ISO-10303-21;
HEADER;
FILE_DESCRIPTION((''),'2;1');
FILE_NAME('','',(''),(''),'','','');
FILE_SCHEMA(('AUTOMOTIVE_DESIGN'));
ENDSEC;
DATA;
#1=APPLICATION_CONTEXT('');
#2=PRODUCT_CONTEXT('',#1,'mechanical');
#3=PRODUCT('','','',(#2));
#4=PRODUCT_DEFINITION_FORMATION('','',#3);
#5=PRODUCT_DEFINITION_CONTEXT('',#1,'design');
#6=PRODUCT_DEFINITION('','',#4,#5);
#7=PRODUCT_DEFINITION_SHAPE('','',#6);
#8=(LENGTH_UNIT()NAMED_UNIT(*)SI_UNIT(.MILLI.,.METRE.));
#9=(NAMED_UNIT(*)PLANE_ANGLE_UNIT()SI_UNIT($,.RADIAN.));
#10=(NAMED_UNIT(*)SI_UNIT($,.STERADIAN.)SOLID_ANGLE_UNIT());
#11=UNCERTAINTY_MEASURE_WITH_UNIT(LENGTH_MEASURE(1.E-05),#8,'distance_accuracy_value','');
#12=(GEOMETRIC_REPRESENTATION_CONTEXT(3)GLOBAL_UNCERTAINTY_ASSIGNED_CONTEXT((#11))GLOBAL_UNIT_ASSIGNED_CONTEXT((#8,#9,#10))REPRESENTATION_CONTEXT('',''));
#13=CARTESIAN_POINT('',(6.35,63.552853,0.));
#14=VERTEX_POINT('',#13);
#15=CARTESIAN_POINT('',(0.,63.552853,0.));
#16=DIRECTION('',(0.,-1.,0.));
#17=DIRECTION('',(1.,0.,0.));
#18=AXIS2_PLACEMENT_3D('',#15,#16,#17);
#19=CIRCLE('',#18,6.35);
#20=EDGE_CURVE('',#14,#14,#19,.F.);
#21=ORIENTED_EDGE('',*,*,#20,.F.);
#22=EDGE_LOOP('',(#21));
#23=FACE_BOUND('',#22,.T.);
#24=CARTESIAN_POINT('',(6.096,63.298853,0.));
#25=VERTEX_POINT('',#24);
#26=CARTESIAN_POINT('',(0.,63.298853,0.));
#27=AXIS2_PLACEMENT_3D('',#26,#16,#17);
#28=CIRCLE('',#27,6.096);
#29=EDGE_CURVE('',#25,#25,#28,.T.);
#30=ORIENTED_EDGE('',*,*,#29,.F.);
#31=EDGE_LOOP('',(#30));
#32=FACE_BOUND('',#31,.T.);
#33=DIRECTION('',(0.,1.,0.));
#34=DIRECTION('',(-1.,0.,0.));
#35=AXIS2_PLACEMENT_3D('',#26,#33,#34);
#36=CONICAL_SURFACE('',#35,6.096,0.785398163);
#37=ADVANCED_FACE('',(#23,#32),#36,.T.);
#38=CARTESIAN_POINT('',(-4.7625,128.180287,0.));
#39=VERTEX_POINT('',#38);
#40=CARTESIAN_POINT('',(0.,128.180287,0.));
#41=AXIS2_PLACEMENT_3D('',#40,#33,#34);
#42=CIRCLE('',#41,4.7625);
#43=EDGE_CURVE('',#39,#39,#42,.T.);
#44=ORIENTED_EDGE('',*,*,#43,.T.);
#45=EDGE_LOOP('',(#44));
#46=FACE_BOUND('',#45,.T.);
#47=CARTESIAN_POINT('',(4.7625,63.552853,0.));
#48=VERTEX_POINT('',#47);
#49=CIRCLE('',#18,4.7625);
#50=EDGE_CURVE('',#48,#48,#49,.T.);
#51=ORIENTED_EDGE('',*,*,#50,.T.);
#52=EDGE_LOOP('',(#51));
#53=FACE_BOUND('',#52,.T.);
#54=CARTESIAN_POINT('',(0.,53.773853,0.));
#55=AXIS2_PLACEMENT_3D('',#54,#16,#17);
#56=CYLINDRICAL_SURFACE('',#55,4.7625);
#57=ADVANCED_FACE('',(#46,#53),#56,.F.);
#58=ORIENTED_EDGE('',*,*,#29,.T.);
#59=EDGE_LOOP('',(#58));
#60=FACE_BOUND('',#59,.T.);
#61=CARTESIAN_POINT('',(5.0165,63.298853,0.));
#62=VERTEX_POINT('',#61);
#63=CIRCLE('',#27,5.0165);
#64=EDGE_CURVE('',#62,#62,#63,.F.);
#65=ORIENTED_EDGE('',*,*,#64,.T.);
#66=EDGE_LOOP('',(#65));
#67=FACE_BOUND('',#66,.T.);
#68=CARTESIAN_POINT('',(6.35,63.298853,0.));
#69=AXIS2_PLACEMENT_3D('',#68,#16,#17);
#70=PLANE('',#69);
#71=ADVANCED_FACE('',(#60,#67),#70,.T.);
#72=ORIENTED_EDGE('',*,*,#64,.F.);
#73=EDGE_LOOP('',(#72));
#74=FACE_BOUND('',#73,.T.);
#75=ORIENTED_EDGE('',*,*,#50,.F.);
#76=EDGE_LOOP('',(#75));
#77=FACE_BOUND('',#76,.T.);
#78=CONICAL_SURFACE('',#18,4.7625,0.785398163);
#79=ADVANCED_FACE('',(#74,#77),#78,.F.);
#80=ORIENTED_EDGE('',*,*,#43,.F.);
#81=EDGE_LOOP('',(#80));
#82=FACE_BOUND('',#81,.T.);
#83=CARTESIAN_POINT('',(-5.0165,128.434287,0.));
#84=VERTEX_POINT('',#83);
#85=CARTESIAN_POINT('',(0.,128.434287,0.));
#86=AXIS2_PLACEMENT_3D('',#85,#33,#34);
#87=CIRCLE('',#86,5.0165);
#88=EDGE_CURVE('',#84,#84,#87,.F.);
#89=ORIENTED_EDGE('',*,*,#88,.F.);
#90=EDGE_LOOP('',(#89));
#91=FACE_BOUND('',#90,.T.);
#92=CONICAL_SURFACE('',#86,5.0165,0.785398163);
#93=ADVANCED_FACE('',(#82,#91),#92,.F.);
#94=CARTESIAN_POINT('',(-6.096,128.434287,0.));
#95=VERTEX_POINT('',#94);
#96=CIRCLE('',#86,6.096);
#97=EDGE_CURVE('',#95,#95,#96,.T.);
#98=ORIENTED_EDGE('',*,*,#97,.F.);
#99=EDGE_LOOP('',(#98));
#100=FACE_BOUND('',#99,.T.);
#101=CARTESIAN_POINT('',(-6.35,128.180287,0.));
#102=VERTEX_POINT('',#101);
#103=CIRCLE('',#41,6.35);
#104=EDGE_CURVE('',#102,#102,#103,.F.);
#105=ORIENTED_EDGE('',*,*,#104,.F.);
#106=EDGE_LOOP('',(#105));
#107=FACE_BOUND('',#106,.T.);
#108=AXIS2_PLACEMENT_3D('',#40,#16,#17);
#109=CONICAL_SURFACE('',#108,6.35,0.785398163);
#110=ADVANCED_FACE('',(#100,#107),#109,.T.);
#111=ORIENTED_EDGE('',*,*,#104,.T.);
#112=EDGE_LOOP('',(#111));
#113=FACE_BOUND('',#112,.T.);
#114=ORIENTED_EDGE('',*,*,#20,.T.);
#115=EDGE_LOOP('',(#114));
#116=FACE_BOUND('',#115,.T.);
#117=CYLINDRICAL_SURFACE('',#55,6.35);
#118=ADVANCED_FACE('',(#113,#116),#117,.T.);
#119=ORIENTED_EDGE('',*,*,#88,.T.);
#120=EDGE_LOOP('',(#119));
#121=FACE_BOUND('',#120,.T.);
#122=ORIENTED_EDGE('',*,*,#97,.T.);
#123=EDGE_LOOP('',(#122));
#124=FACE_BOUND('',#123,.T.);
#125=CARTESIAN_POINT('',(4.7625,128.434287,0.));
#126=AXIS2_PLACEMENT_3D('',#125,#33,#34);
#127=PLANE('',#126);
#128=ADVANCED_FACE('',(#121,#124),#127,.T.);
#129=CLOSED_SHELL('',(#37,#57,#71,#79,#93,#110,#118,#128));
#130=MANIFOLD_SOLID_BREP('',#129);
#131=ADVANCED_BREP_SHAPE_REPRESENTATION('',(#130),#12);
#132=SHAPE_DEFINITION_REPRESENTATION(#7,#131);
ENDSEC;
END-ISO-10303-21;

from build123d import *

# Parameters (mm, degrees)
SKETCH1_W     = 1.5875
SKETCH1_H     = 65.135434212
CHAMFER1_SIZE = 0.254


with BuildPart() as part:
    # Sketch1 → Revolve1 (revolve)
    with BuildSketch(Plane.XY):
        with Locations((5.55625, 95.866570161)):
            Rectangle(SKETCH1_W, SKETCH1_H)
    revolve(axis=Axis((0, 53.773853055, 0), (0, 1, 0)))

    # Chamfer1
    chamfer1_edges = [part.edges().sort_by_distance(p)[0] for p in [
        (-6.35, 63.298853055, 0),
        (-6.35, 128.434287267, 0),
        (-4.7625, 128.434287267, 0),
        (-4.7625, 63.298853055, 0),
    ]]
    chamfer(chamfer1_edges, length=CHAMFER1_SIZE)


solid = part.part
